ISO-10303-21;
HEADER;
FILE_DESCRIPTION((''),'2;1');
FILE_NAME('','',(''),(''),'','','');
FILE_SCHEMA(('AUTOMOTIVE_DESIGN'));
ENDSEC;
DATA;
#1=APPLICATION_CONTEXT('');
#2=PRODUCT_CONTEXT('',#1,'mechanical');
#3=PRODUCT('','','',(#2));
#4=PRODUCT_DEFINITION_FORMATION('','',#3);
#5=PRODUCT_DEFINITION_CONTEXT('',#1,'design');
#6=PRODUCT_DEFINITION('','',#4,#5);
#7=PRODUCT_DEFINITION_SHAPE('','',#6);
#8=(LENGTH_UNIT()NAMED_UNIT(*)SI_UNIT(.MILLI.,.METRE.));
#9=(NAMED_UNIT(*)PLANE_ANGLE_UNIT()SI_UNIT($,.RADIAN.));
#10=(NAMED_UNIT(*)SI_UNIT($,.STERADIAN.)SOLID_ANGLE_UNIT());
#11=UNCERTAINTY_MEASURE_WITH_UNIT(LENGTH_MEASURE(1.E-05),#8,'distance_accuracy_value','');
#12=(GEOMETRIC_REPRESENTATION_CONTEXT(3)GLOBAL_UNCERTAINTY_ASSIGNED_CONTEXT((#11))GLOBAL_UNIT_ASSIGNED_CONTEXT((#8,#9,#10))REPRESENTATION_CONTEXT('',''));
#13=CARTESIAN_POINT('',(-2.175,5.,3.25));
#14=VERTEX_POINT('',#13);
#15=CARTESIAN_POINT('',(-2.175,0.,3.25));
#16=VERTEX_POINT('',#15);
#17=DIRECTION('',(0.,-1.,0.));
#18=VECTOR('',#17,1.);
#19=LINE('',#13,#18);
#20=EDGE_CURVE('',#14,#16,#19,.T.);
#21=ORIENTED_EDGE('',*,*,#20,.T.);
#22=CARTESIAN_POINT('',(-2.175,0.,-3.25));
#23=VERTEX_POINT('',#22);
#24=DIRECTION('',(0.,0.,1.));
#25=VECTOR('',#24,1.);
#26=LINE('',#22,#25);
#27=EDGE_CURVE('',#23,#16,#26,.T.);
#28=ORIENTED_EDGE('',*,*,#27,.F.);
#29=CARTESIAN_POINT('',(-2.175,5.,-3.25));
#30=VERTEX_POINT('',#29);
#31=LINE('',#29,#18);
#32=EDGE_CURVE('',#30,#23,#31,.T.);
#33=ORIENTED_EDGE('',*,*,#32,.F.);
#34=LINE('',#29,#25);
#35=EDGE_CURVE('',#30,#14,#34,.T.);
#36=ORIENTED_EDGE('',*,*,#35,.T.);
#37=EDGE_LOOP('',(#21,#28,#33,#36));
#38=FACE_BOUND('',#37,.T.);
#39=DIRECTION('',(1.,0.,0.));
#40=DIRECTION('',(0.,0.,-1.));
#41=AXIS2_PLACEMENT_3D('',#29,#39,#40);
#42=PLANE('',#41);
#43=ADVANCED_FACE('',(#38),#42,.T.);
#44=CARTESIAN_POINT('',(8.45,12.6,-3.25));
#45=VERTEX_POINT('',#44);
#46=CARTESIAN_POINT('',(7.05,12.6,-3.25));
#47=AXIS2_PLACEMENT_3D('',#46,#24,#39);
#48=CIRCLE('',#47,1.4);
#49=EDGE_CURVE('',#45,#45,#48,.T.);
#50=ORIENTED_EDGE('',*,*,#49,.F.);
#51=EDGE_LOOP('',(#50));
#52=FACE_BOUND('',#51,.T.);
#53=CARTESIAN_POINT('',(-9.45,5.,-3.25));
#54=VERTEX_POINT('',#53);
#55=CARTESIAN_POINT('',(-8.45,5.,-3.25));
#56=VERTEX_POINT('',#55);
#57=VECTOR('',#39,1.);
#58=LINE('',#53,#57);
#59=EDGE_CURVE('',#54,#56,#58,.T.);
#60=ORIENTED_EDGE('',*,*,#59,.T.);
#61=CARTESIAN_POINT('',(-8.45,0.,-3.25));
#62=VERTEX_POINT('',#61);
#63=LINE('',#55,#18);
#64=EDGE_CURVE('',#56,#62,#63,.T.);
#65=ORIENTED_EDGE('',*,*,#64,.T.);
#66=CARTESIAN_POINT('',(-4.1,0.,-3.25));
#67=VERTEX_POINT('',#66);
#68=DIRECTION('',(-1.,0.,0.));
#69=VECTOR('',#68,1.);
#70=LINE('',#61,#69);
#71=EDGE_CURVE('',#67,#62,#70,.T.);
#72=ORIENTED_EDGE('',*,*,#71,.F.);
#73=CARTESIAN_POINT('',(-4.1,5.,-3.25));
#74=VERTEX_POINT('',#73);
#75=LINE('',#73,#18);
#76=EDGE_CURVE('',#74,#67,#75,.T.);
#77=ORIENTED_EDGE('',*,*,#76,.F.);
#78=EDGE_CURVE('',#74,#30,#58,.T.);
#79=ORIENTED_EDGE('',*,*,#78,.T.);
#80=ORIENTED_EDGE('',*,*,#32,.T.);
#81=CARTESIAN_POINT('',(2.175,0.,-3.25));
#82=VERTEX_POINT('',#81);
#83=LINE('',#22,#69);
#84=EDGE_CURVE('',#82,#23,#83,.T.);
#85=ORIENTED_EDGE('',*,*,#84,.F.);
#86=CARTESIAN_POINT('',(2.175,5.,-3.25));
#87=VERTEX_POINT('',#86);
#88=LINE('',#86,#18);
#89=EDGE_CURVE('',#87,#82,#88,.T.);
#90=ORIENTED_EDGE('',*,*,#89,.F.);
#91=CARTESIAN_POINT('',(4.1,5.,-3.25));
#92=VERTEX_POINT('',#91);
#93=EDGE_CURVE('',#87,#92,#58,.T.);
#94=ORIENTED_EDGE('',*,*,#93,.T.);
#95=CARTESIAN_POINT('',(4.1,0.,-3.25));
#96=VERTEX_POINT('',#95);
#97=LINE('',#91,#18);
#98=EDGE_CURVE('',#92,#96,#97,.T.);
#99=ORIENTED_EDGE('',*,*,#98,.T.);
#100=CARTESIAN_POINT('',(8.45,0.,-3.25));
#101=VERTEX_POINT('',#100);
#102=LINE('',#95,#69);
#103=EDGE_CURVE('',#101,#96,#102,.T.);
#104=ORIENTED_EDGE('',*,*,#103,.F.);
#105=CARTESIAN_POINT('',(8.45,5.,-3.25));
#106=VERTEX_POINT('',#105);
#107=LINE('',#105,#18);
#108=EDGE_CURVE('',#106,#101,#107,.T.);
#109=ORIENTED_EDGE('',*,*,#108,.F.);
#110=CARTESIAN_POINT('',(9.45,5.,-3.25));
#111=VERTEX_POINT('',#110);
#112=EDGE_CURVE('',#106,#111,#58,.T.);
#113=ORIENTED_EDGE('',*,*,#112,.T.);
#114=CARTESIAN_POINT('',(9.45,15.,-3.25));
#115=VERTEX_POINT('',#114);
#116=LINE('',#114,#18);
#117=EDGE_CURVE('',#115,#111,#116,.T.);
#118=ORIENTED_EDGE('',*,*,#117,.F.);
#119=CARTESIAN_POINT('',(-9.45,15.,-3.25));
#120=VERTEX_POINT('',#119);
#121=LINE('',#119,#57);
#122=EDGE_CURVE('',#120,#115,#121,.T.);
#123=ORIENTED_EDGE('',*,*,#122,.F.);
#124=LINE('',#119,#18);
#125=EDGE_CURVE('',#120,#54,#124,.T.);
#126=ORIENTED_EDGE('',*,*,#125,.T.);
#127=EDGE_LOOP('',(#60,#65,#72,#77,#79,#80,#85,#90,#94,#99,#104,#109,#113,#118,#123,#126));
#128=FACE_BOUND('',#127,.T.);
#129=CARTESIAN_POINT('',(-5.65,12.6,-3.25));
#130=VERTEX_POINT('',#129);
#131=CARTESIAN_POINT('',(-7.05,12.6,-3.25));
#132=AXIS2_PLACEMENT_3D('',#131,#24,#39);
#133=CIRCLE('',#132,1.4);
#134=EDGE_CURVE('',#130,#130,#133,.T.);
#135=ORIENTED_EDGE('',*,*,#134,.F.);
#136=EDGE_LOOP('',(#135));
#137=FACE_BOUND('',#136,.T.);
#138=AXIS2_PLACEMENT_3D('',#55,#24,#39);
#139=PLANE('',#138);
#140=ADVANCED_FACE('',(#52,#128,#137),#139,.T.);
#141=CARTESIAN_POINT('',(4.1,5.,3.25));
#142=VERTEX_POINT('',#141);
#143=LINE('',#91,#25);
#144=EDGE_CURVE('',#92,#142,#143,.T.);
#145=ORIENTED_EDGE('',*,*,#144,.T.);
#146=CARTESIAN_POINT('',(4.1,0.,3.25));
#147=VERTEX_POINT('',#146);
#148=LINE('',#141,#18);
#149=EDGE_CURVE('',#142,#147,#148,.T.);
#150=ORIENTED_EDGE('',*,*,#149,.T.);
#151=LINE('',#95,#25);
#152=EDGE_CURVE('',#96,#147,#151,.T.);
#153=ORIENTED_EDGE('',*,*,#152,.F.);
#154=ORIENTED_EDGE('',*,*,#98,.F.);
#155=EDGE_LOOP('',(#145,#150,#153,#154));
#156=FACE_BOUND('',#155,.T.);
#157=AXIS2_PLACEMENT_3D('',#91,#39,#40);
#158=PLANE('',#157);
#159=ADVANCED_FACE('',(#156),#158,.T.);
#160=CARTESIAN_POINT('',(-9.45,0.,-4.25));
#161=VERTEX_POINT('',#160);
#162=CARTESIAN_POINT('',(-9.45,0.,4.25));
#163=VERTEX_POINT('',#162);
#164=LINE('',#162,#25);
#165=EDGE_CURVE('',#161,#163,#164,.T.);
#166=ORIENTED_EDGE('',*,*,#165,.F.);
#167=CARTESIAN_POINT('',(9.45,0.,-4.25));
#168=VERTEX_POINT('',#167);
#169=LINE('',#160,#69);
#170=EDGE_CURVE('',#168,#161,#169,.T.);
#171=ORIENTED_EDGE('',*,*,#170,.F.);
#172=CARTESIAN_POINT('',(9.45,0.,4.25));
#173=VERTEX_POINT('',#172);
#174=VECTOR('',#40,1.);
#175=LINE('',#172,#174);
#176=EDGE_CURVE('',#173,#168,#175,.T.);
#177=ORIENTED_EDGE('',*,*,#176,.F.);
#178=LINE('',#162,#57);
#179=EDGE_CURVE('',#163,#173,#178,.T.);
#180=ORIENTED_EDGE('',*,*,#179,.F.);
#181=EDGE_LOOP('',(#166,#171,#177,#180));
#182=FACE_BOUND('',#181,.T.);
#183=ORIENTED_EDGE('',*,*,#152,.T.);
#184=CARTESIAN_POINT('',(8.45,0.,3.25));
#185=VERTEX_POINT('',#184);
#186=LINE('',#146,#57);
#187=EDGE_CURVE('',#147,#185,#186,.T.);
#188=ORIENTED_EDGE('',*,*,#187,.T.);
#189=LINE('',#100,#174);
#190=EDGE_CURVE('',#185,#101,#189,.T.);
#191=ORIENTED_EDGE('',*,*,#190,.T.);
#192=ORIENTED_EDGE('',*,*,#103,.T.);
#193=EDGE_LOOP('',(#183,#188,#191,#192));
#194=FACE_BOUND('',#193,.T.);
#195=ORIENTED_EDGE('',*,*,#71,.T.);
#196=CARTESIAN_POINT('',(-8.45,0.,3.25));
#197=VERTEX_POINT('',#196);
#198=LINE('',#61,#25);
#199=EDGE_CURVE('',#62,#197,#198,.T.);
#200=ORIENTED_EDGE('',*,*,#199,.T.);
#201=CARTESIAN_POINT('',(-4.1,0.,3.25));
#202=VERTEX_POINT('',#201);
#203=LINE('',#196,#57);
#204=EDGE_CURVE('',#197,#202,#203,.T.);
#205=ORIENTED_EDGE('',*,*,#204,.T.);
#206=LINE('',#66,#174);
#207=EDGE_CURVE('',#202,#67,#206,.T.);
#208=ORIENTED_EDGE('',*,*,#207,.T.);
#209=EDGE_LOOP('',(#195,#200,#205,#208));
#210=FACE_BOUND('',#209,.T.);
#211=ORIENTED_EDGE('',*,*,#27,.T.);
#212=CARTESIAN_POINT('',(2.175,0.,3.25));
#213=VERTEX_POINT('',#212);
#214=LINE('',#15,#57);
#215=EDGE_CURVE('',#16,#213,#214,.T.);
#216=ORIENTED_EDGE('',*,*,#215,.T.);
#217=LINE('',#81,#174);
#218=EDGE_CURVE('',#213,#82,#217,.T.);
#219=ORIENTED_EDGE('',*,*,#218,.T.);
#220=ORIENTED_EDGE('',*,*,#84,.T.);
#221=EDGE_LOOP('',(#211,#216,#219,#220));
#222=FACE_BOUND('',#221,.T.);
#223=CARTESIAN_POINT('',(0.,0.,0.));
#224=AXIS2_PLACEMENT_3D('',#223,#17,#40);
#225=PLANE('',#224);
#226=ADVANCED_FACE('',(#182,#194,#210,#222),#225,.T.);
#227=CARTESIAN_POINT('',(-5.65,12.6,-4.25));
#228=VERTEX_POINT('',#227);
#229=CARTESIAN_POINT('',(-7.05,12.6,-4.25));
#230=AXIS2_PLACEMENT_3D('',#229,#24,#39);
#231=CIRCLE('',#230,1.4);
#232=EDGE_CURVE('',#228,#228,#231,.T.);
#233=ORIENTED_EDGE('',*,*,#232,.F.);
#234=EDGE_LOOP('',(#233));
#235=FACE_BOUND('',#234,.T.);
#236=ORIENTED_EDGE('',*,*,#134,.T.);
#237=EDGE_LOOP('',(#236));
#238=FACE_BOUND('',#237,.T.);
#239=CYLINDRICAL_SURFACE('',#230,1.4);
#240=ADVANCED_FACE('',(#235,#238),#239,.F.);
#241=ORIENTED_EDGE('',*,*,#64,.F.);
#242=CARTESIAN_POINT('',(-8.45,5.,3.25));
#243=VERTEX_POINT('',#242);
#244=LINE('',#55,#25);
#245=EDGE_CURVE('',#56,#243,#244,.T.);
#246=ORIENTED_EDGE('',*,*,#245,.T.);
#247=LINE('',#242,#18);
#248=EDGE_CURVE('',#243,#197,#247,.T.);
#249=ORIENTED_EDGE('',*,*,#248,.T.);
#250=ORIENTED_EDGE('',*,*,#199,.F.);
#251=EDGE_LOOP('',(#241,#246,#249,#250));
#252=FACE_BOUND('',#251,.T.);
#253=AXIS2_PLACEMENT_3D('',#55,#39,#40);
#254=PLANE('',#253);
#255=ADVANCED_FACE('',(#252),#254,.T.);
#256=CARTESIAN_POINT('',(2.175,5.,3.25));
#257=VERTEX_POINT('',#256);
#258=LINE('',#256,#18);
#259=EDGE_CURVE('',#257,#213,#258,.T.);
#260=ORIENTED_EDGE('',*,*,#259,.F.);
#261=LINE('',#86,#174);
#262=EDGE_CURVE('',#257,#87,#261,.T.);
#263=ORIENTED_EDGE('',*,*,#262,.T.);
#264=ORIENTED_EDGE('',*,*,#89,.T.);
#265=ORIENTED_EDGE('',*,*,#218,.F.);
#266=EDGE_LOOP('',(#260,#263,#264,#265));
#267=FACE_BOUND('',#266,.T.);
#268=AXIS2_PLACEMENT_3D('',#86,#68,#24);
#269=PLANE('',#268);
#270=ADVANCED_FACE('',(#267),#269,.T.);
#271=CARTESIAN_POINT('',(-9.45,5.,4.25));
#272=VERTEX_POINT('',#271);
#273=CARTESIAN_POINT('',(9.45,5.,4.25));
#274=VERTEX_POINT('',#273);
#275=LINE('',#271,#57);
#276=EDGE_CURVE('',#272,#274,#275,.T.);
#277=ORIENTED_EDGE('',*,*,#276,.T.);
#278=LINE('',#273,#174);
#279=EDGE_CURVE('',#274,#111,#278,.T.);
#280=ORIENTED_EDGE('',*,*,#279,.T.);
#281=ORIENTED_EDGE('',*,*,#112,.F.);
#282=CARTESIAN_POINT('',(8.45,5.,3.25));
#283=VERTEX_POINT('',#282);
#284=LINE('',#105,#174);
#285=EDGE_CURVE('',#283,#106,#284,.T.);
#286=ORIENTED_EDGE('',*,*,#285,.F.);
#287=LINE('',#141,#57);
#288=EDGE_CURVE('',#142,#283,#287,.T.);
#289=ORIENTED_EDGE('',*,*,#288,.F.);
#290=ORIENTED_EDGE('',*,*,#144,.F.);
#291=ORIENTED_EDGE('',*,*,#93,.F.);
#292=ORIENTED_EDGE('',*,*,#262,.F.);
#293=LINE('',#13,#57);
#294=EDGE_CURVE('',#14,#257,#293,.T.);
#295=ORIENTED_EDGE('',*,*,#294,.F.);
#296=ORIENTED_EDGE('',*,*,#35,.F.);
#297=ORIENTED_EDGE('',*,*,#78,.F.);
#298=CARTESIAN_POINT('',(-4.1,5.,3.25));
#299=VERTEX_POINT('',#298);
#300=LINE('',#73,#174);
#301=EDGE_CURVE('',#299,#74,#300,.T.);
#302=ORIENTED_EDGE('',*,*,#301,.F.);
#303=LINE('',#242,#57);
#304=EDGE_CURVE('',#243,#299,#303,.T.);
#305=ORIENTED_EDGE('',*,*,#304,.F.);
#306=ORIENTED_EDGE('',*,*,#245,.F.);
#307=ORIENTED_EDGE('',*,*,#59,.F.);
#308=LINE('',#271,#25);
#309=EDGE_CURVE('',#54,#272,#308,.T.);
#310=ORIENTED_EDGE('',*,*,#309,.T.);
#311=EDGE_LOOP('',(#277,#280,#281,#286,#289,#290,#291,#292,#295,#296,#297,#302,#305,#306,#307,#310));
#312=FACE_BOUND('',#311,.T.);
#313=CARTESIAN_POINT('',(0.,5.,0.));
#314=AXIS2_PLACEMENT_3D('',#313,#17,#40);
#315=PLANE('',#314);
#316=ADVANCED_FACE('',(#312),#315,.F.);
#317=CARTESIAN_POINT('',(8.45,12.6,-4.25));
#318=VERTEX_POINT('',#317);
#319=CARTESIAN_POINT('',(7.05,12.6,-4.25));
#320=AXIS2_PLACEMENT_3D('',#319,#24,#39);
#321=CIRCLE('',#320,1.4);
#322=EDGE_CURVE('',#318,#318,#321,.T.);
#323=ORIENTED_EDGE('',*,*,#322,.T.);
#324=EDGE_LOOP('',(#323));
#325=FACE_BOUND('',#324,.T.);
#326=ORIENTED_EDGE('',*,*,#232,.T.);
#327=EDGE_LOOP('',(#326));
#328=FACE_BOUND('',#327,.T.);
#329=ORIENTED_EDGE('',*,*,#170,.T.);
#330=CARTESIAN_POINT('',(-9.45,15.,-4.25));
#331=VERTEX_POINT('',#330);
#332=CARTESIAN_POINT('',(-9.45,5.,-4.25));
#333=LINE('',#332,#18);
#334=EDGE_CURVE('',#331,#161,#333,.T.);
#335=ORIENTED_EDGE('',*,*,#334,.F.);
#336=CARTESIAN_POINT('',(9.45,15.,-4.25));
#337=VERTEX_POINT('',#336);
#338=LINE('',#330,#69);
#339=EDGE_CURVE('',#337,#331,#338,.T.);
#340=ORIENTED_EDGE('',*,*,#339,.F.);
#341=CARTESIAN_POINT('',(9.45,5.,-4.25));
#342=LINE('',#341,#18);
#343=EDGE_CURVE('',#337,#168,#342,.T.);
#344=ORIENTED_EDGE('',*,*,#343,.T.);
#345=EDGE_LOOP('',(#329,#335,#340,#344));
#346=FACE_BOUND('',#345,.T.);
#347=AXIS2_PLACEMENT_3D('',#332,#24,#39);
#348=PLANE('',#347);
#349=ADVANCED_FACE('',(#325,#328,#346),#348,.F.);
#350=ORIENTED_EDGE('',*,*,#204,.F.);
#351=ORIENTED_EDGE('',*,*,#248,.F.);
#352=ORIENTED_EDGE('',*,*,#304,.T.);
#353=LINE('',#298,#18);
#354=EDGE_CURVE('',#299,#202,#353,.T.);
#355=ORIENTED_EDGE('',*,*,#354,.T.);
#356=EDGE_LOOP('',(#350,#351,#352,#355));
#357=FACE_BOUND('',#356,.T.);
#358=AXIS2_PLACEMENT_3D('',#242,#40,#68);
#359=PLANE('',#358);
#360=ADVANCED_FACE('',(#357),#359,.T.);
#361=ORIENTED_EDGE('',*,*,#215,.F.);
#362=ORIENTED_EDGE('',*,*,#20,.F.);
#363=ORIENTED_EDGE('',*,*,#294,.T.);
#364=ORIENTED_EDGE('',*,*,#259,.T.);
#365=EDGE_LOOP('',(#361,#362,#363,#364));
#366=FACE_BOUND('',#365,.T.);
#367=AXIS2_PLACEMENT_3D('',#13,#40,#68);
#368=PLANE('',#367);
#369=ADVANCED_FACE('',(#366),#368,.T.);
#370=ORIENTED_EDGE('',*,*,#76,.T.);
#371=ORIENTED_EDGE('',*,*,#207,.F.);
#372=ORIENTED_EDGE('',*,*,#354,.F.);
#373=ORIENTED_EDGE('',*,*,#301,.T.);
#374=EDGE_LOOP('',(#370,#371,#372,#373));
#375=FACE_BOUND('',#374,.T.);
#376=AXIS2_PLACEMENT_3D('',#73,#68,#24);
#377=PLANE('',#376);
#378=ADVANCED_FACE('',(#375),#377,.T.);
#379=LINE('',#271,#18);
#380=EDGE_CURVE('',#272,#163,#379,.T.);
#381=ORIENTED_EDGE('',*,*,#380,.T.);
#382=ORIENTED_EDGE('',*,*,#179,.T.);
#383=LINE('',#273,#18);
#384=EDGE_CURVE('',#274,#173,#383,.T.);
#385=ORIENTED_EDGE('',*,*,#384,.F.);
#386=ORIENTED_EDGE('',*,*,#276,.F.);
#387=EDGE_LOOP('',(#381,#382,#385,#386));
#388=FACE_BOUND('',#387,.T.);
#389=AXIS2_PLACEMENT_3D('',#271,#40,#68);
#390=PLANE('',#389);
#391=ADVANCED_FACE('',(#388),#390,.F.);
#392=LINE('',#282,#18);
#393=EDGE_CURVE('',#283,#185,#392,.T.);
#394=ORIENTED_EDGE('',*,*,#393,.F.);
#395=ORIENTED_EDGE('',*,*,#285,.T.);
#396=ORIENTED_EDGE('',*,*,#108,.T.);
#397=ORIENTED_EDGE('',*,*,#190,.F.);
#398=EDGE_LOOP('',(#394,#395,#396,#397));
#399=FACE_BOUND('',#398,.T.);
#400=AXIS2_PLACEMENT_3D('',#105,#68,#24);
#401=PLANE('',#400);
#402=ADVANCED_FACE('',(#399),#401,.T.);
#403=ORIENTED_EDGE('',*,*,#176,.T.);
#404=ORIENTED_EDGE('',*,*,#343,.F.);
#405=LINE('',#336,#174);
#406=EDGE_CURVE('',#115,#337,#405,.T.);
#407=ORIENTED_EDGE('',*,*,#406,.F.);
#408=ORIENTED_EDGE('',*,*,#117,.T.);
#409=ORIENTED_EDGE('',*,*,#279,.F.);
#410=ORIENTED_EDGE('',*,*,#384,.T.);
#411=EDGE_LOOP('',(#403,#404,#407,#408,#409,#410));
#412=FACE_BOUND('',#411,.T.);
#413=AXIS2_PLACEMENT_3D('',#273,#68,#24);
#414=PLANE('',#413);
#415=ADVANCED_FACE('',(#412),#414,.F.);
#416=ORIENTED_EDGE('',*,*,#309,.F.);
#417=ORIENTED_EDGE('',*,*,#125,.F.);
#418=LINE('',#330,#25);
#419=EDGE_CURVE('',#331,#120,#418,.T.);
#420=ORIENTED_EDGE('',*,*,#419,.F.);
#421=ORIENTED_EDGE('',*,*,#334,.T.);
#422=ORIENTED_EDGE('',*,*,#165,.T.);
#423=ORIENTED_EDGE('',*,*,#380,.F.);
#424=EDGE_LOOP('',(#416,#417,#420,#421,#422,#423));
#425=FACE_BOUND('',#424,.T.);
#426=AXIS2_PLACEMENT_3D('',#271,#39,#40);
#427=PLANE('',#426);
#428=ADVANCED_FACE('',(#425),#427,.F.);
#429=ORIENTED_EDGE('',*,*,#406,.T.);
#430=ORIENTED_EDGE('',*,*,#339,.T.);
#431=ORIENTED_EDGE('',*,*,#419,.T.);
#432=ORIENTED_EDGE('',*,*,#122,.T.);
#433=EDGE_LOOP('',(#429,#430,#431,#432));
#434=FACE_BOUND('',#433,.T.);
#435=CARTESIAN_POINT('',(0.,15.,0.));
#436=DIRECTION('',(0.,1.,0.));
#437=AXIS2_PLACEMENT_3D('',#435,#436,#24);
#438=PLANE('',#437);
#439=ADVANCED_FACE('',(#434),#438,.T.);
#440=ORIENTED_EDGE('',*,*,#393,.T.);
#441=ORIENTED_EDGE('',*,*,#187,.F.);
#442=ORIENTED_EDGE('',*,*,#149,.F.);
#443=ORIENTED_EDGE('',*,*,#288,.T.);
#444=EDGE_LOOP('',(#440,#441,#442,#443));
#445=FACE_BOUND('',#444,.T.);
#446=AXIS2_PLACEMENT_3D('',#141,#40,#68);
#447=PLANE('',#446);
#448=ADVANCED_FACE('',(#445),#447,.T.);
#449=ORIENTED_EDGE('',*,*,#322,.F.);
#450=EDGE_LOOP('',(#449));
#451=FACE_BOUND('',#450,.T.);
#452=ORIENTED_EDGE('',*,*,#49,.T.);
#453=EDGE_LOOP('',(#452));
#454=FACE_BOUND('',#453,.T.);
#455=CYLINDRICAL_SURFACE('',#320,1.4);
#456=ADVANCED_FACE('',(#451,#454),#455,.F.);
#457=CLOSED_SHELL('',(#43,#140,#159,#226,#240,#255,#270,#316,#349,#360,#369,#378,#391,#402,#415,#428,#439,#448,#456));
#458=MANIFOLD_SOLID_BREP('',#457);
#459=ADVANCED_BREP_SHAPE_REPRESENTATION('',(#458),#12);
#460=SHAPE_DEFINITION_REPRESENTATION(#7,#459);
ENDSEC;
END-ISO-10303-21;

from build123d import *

# Parameters (mm, degrees)
SKETCH1_W           = 18.9
SKETCH1_H           = 8.5
SKETCH1_W_2         = 4.35
SKETCH1_H_2         = 6.5
BOSS_EXTRUDE1_DEPTH = 5
SKETCH2_W           = 18.9
SKETCH2_H           = 1
BOSS_EXTRUDE2_DEPTH = 10
SKETCH3_R           = 1.4
CUT_EXTRUDE1_DEPTH  = 2


with BuildPart() as part:
    # Sketch1 → Boss-Extrude1 (new body)
    with BuildSketch(Plane(origin=(0, 0, 0), x_dir=(1, 0, 0), z_dir=(0, 1, 0))):
        Rectangle(SKETCH1_W, SKETCH1_H)
        with Locations((-6.275, 0)):
            Rectangle(SKETCH1_W_2, SKETCH1_H_2, mode=Mode.SUBTRACT)
        Rectangle(SKETCH1_W_2, SKETCH1_H_2, mode=Mode.SUBTRACT)
        with Locations((6.275, 0)):
            Rectangle(SKETCH1_W_2, SKETCH1_H_2, mode=Mode.SUBTRACT)
    extrude(amount=BOSS_EXTRUDE1_DEPTH)

    # Sketch2 → Boss-Extrude2 (add)
    with BuildSketch(Plane(origin=(0, 5, 0), x_dir=(1, 0, 0), z_dir=(0, 1, 0))):
        with Locations((0, 3.75)):
            Rectangle(SKETCH2_W, SKETCH2_H)
    extrude(amount=BOSS_EXTRUDE2_DEPTH)

    # Sketch3 → Cut-Extrude1 (cut, through all)
    with BuildSketch(Plane.XY.offset(-3.25)):
        with Locations((7.05, 12.6)):
            Circle(SKETCH3_R)
        with Locations((-7.05, 12.6)):
            Circle(SKETCH3_R)
    extrude(amount=-CUT_EXTRUDE1_DEPTH, mode=Mode.SUBTRACT)


solid = part.part
